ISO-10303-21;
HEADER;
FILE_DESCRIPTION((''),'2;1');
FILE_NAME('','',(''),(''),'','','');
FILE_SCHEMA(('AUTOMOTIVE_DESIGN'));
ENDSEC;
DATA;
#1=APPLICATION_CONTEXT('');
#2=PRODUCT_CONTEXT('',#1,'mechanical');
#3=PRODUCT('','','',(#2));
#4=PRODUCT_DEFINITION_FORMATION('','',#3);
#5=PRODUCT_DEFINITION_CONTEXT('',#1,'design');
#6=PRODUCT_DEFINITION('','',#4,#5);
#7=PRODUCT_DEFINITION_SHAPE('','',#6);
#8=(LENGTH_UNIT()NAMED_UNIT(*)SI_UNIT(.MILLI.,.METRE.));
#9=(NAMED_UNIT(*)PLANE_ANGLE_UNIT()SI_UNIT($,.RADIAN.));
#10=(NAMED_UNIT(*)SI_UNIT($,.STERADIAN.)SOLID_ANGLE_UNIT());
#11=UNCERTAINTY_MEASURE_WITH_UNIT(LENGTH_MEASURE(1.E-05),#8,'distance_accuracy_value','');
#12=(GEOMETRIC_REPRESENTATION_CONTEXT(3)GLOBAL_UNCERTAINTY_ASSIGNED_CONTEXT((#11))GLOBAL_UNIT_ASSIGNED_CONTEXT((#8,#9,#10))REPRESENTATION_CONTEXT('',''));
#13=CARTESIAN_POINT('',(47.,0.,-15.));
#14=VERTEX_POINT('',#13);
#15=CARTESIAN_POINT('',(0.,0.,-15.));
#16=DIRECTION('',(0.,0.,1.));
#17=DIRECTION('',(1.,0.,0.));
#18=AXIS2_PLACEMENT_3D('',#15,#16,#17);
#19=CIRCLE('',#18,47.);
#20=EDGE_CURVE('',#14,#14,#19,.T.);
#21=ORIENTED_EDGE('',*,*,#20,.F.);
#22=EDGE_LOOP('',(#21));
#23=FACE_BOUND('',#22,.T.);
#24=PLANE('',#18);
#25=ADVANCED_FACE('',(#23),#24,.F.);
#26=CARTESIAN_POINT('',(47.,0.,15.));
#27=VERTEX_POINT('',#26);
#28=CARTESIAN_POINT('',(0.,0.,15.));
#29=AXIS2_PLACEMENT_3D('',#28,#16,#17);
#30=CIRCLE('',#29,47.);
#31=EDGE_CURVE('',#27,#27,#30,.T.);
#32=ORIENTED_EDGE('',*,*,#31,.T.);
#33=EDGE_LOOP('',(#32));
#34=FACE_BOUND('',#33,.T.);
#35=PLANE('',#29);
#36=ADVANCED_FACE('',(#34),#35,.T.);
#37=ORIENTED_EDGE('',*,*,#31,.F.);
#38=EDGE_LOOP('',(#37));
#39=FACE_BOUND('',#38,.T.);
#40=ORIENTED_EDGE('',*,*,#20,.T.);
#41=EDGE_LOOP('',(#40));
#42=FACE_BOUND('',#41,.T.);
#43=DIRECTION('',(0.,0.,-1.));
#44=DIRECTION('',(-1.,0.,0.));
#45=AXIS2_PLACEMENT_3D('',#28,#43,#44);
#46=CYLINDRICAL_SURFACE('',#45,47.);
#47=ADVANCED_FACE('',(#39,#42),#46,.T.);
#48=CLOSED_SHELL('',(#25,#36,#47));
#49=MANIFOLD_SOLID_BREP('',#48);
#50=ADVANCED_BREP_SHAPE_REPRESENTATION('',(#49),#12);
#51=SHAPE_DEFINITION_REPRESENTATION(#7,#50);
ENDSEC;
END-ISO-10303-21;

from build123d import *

# Parameters (mm, degrees)
SKETCH1_R           = 47
BOSS_EXTRUDE1_DEPTH = 15


with BuildPart() as part:
    # Sketch1 → Boss-Extrude1 (new, symmetric)
    with BuildSketch(Plane.XY):
        Circle(SKETCH1_R)
    extrude(amount=BOSS_EXTRUDE1_DEPTH, both=True)


solid = part.part
